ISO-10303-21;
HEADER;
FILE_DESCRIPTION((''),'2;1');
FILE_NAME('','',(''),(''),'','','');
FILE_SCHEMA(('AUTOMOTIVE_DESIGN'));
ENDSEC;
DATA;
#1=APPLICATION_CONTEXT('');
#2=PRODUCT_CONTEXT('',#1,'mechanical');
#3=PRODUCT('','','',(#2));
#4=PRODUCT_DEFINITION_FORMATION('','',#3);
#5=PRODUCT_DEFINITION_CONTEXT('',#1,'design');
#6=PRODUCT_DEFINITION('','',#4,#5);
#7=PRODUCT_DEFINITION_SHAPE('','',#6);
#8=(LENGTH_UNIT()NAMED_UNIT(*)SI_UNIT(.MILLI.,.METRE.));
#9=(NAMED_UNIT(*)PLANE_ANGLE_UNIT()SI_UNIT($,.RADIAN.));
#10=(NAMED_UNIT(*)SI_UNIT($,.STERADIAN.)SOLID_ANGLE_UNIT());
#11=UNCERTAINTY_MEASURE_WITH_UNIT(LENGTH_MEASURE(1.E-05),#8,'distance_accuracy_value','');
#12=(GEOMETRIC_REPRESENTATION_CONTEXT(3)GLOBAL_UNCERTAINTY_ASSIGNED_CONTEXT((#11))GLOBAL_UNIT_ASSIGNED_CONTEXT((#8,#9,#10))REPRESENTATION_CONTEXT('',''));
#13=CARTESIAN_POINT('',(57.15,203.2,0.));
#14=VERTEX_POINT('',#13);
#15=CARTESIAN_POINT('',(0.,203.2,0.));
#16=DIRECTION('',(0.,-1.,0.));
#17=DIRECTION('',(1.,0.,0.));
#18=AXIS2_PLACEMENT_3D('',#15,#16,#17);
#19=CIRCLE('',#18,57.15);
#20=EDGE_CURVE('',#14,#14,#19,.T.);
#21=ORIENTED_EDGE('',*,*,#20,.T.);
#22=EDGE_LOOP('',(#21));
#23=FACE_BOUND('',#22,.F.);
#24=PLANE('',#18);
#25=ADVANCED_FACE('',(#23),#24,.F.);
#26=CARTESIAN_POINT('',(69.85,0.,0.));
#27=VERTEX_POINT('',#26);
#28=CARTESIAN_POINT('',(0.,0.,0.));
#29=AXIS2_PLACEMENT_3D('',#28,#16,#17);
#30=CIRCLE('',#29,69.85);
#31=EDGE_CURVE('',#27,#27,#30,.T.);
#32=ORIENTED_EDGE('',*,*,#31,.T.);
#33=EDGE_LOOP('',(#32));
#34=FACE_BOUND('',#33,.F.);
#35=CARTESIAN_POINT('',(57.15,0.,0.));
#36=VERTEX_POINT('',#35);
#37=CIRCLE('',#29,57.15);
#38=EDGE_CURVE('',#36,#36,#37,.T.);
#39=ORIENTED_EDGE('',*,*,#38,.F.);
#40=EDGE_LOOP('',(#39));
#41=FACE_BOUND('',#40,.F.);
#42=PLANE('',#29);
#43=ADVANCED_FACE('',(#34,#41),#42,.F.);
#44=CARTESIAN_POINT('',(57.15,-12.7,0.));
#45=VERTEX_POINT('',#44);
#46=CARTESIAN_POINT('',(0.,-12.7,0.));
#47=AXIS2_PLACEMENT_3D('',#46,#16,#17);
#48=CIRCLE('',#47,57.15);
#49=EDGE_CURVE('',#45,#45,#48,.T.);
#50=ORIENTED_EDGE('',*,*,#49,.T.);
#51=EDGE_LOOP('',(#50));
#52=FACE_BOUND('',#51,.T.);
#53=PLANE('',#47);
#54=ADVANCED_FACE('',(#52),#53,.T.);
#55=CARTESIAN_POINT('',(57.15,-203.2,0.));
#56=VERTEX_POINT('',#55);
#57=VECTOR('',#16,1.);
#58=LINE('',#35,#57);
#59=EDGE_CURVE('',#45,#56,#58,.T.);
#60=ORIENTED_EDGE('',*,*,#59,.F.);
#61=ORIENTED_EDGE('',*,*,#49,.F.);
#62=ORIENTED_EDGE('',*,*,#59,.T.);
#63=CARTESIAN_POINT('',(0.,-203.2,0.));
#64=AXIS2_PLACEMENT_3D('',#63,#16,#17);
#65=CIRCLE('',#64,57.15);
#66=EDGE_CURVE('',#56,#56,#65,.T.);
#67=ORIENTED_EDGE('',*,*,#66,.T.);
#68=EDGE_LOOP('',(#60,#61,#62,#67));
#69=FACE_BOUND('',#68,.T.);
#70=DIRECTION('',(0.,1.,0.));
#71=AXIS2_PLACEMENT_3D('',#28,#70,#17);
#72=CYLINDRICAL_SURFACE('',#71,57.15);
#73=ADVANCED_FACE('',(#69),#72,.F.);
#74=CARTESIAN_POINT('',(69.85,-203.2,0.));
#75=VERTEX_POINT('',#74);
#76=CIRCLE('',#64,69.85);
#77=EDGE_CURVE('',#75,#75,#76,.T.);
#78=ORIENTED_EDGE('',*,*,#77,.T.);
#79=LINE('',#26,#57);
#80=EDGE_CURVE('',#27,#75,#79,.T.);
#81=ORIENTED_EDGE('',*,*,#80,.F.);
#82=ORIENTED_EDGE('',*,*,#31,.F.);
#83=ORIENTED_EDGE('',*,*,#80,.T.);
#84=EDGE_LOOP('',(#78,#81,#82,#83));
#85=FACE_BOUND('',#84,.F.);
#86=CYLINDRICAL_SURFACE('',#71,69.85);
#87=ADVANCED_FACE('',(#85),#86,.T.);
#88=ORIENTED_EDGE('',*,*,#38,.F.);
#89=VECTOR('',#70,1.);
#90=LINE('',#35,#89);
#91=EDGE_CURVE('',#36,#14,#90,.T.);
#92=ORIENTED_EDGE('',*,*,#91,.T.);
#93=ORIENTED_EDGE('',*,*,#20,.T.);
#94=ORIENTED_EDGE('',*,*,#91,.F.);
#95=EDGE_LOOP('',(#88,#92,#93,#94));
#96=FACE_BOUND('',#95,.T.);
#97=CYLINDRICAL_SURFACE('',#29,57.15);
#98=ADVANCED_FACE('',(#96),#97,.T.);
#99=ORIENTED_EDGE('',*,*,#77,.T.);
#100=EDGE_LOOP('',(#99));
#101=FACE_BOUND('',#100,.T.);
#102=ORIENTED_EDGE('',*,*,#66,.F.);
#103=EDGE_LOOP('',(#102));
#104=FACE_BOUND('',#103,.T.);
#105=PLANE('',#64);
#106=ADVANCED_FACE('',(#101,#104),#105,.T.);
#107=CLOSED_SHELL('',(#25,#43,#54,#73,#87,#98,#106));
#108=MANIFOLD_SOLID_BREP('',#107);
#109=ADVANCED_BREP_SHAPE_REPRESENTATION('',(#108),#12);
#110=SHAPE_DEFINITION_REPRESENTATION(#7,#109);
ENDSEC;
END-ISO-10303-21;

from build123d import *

# Parameters (mm, degrees)
F0_R     = 69.85
F0_R_2   = 57.15
F1_DEPTH = 203.2
F2_R     = 57.15
F3_DEPTH = 12.7
F4_DEPTH = 203.2


with BuildPart() as f1:
    # F0 (on Front) → F1 (new body)
    with BuildSketch(Plane.XZ):
        Circle(F0_R)
        Circle(F0_R_2, mode=Mode.SUBTRACT)
    extrude(amount=F1_DEPTH)

    # F2 (on Front) → F3 (join)
    with BuildSketch(Plane.XZ):
        Circle(F2_R)
    extrude(amount=F3_DEPTH)

    # F2 (on Front) → F4 (join)
    with BuildSketch(Plane.XZ):
        Circle(F2_R)
    extrude(amount=-F4_DEPTH)


solid = f1.part
